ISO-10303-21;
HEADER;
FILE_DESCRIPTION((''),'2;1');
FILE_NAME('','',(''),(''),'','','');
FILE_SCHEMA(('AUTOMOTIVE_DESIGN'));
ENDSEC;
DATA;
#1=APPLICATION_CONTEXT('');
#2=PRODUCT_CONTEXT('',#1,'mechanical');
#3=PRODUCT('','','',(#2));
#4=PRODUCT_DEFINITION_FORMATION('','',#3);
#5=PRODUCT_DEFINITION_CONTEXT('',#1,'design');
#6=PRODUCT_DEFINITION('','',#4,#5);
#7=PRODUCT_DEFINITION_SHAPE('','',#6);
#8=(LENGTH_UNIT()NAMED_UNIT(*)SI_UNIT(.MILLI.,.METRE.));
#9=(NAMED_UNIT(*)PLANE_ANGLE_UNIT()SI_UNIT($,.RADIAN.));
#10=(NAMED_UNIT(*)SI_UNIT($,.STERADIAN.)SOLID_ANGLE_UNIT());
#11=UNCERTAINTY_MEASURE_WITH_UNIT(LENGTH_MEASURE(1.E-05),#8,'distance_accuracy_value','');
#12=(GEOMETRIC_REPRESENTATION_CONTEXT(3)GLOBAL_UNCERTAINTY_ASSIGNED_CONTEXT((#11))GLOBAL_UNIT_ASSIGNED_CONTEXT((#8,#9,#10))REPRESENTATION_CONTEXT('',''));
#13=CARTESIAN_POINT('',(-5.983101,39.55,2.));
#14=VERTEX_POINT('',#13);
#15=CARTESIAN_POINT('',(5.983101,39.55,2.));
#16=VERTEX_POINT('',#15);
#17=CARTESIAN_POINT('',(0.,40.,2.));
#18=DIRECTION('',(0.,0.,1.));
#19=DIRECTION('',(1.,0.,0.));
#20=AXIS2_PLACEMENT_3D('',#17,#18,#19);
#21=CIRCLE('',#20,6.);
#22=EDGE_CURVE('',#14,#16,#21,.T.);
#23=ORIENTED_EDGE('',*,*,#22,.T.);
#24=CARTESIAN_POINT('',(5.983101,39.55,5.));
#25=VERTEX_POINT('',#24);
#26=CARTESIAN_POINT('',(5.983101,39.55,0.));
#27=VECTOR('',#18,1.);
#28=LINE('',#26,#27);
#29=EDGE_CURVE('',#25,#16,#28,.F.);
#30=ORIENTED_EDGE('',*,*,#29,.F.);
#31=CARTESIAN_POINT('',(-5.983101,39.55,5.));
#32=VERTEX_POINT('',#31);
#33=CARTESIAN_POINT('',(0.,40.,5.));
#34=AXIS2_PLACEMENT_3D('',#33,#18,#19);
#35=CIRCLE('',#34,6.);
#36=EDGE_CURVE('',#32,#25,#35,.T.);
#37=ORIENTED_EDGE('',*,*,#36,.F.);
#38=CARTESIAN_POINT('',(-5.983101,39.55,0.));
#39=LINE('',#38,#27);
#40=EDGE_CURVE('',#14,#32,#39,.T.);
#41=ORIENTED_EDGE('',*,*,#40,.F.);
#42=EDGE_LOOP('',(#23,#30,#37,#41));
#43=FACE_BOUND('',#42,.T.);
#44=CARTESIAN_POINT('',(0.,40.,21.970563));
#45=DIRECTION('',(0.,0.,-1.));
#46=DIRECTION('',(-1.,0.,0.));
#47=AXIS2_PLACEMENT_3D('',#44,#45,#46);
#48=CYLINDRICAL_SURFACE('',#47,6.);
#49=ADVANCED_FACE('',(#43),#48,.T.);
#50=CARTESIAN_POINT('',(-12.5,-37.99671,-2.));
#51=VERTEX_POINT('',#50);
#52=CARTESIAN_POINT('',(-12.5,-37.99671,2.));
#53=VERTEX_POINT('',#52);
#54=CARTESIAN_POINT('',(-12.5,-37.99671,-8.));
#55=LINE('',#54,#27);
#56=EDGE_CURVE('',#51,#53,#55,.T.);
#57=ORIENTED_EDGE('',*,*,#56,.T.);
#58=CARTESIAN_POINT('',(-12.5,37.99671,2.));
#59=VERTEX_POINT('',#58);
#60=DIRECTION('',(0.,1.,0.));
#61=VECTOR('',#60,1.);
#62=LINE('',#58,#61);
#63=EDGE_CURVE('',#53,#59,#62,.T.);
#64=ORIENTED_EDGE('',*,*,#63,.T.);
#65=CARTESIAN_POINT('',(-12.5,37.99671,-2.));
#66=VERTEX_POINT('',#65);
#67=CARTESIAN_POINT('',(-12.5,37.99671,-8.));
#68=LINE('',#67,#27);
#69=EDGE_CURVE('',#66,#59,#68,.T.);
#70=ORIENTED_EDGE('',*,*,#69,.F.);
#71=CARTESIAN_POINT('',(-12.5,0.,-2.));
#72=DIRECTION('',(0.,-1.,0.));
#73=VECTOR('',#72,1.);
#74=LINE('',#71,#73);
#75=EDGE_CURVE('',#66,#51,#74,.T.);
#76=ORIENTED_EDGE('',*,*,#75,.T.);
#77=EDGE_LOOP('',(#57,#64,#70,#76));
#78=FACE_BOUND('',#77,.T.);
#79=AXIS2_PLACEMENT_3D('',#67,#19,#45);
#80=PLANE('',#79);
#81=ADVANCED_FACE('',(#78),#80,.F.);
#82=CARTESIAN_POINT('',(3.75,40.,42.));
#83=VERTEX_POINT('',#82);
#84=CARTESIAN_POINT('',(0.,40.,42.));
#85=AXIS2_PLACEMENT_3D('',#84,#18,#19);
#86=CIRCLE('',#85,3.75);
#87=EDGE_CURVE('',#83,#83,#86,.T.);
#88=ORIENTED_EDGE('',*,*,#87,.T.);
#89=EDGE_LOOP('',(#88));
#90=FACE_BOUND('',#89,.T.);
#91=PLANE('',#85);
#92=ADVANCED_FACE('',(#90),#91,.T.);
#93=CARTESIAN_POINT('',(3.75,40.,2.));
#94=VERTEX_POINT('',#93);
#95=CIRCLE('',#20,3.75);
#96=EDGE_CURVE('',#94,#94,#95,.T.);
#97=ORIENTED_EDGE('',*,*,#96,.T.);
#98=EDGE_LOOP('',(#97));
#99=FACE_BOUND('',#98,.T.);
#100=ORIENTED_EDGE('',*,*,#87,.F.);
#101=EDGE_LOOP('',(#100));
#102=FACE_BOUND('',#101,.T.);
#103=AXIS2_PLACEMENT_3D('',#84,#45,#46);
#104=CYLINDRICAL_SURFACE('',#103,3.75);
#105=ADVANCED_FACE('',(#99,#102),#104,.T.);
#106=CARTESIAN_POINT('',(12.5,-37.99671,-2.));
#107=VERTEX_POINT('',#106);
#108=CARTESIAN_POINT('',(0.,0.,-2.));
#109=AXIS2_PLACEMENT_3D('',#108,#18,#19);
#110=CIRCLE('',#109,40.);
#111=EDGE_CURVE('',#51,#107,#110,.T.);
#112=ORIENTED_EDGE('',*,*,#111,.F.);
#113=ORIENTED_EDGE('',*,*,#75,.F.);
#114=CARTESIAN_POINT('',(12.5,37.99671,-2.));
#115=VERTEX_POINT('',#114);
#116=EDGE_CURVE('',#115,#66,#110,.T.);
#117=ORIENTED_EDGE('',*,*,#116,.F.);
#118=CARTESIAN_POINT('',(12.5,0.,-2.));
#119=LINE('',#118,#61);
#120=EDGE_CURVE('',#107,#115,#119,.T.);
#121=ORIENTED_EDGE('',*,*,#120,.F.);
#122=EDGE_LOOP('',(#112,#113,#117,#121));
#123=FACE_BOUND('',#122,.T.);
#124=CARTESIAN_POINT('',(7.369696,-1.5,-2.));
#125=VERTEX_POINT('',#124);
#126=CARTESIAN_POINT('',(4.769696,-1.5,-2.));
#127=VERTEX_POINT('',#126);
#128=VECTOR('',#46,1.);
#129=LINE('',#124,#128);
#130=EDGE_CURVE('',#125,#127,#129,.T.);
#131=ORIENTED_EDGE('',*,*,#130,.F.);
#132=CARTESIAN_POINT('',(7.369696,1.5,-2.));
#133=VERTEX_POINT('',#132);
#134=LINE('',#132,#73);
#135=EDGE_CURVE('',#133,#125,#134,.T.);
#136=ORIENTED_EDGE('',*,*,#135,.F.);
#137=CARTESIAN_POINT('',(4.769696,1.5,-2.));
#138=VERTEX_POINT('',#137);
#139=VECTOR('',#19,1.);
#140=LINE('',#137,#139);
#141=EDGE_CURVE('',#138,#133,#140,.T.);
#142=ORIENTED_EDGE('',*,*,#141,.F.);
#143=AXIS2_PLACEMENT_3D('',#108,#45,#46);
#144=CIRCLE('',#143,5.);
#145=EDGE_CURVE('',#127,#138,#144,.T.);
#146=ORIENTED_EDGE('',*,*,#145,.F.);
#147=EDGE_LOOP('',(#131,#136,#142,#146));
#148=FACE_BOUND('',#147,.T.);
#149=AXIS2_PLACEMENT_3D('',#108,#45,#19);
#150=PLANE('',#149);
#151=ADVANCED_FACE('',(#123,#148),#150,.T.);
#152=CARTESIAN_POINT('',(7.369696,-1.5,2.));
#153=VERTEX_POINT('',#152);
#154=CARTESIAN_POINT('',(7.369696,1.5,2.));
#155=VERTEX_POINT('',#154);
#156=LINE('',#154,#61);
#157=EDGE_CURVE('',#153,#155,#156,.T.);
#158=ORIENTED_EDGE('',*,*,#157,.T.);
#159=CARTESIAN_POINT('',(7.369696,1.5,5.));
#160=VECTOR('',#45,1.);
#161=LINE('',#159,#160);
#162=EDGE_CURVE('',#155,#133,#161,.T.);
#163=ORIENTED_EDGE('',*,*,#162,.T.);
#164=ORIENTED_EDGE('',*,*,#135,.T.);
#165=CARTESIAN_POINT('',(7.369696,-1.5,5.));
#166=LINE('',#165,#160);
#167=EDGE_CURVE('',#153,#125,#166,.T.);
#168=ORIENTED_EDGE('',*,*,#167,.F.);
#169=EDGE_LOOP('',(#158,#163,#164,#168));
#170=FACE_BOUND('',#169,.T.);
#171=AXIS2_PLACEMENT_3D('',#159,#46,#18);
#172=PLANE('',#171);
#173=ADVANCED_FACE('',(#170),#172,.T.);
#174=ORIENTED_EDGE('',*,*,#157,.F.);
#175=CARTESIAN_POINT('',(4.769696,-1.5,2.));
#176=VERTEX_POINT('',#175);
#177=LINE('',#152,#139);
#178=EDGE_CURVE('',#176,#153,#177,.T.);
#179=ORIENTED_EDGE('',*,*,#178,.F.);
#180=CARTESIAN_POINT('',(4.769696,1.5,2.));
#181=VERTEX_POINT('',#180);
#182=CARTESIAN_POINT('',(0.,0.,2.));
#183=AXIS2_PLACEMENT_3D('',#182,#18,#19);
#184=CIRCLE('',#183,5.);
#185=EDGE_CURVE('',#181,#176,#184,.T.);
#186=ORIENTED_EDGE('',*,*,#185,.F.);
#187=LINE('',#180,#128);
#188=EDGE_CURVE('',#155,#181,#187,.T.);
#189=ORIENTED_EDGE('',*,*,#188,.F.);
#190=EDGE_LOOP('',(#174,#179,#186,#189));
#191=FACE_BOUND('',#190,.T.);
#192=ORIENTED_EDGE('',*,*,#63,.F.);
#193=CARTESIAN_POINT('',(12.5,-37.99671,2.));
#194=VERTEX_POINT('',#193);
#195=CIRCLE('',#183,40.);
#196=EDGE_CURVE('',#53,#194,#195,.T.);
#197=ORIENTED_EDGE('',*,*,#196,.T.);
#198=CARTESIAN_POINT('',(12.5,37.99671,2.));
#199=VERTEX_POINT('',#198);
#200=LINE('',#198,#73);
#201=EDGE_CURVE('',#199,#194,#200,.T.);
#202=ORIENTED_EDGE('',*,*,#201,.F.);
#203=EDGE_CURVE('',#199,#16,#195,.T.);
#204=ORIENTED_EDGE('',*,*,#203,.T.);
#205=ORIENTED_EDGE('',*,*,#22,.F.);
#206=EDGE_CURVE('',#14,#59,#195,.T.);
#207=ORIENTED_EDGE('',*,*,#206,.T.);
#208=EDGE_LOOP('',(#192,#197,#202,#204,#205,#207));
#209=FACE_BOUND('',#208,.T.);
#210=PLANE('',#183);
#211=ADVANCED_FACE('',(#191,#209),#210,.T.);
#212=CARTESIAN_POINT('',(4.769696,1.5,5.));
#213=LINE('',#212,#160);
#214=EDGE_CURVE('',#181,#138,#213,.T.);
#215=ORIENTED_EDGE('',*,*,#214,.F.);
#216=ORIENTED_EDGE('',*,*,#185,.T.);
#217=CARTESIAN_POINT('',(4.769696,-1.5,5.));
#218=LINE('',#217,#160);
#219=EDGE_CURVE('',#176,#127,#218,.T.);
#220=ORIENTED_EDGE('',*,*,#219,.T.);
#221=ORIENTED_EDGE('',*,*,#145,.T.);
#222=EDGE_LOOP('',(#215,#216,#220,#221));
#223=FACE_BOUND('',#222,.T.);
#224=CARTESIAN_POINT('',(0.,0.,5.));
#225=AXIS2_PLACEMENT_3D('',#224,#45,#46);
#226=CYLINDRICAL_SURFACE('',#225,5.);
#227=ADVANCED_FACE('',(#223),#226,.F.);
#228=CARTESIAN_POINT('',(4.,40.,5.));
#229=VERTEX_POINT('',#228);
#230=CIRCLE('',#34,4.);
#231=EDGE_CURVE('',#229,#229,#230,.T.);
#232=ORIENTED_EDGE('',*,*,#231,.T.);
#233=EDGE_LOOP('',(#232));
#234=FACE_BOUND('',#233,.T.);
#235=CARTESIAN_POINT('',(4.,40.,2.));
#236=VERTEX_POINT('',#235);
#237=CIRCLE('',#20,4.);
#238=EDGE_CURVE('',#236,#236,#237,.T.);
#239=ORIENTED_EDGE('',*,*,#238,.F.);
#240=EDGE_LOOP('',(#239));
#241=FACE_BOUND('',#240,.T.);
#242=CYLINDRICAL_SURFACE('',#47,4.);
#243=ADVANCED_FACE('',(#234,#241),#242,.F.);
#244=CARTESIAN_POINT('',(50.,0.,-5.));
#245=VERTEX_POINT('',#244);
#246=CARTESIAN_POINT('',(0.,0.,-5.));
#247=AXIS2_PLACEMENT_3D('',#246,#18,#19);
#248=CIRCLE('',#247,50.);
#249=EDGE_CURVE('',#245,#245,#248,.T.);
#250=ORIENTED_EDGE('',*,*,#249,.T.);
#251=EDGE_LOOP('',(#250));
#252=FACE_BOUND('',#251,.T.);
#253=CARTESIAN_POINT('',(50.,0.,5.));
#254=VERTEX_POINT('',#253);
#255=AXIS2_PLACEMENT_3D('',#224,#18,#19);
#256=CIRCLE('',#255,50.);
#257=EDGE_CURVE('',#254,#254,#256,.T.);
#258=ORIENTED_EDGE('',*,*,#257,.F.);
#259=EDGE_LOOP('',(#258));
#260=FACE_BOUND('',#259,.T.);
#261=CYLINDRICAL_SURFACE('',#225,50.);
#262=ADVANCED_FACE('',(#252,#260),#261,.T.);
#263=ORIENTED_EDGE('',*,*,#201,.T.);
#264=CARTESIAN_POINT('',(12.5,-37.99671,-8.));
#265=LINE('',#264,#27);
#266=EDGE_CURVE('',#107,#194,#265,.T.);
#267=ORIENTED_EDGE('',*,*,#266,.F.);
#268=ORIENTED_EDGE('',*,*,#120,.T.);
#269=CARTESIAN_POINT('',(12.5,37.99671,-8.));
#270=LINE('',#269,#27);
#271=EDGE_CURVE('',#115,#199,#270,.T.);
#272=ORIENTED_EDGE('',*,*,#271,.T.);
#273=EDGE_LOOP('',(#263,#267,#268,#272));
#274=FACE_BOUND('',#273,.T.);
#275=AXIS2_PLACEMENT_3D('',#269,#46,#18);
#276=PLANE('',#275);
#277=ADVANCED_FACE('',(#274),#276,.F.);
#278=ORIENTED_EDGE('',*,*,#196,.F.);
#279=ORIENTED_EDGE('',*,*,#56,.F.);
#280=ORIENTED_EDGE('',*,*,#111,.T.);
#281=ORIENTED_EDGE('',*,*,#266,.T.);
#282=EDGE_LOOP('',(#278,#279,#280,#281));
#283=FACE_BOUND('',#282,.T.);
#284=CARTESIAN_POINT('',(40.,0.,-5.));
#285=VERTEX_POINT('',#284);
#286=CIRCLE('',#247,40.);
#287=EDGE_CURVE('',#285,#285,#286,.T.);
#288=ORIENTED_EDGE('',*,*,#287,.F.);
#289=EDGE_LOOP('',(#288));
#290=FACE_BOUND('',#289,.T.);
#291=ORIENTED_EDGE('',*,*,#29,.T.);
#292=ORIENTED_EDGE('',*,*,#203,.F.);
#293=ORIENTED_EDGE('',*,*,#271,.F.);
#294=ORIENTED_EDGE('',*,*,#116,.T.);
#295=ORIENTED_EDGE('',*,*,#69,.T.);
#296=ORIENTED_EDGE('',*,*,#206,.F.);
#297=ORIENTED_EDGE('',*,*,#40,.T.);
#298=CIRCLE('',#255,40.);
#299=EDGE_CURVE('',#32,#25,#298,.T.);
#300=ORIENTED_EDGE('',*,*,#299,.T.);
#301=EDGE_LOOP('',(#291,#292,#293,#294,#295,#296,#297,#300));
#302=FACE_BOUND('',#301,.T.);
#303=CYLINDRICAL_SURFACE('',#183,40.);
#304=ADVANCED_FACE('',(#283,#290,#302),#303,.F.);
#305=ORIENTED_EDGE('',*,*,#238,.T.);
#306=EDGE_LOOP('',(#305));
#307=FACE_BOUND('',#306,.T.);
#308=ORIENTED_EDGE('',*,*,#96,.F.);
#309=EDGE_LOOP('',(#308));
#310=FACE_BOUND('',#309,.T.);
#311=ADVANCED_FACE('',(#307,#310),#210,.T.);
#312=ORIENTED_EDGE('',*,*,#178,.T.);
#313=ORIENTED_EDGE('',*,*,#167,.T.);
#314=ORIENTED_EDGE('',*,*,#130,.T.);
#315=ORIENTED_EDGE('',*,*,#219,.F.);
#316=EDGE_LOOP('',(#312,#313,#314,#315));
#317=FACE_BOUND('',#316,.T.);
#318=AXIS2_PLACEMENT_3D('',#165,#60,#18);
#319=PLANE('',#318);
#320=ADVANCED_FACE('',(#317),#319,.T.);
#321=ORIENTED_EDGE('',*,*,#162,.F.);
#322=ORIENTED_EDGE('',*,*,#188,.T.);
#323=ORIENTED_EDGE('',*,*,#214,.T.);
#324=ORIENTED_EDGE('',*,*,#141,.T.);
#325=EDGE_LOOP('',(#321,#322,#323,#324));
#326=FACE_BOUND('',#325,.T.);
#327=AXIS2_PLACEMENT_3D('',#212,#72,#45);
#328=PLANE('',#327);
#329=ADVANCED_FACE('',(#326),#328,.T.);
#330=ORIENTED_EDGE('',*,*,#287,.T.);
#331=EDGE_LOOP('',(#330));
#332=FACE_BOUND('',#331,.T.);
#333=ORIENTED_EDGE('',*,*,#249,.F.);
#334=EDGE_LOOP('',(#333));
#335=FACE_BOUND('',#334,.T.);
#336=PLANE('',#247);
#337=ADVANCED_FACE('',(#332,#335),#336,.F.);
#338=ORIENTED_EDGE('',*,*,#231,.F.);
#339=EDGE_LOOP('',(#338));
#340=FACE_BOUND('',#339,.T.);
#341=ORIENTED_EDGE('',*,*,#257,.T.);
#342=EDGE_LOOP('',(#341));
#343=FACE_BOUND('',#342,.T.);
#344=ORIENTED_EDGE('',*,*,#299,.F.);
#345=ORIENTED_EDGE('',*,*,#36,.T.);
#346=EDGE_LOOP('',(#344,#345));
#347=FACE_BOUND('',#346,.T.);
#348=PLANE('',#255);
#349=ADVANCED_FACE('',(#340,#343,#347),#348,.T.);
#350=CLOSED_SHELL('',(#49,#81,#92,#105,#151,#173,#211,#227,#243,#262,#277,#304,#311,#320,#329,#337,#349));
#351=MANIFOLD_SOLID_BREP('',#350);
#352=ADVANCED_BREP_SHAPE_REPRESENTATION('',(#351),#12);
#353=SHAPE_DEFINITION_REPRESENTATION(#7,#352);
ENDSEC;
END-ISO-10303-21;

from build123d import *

# Parameters (mm, degrees)
SKETCH_1_R          = 50
EXTRUDE_1_DEPTH     = 5
SKETCH_2_R          = 40
CUT_EXTRUDE_1_DEPTH = 3
CUT_EXTRUDE_2_DEPTH = 10
SKETCH_4_R          = 6
SKETCH_4_R_2        = 4
EXTRUDE_2_DEPTH     = 3
SKETCH_5_R          = 4
CUT_EXTRUDE_3_DEPTH = 3
SKETCH_6_R          = 3.75
EXTRUDE_3_DEPTH     = 40


with BuildPart() as part:
    # 草图1 → 凸台-拉伸1 (new, symmetric)
    with BuildSketch(Plane.XY):
        Circle(SKETCH_1_R)
        with BuildLine():
            Line((4.769696007, 1.5), (7.369696007, 1.5))
            Line((7.369696007, 1.5), (7.369696007, -1.5))
            Line((7.369696007, -1.5), (4.769696007, -1.5))
            ThreePointArc((4.769696007, -1.5), (-5, 0), (4.769696007, 1.5))
        make_face(mode=Mode.SUBTRACT)
    extrude(amount=EXTRUDE_1_DEPTH, both=True)

    # 草图2 → 切除-拉伸1 (cut)
    with BuildSketch(Plane.XY.offset(5)):
        Circle(SKETCH_2_R)
    cut_extrude_1 = extrude(amount=-CUT_EXTRUDE_1_DEPTH, mode=Mode.SUBTRACT)

    # 镜向1: 切除-拉伸1 across plane
    add(cut_extrude_1.mirror(Plane.XY), mode=Mode.SUBTRACT)

    # 草图3 → 切除-拉伸2 (cut)
    with BuildSketch(Plane.XY.offset(2)):
        with BuildLine():
            Line((-12.5, 37.996710384), (-12.5, -37.996710384))
            ThreePointArc((-12.5, -37.996710384), (-40, 0), (-12.5, 37.996710384))
        make_face()
        with BuildLine():
            Line((12.5, 37.996710384), (12.5, -37.996710384))
            ThreePointArc((12.5, -37.996710384), (40, 0), (12.5, 37.996710384))
        make_face()
    extrude(amount=-CUT_EXTRUDE_2_DEPTH, mode=Mode.SUBTRACT)

    # 草图5 → 切除-拉伸3 (cut)
    with BuildSketch(Plane.XY.offset(5)):
        with Locations((0, 40)):
            Circle(SKETCH_5_R)
    extrude(amount=-CUT_EXTRUDE_3_DEPTH, mode=Mode.SUBTRACT)


with BuildPart() as body_2:
    # 草图4 → 凸台-拉伸2 (new body)
    with BuildSketch(Plane.XY.offset(2)):
        with Locations((0, 40)):
            Circle(SKETCH_4_R)
        with Locations((0, 40)):
            Circle(SKETCH_4_R_2, mode=Mode.SUBTRACT)
    extrude(amount=EXTRUDE_2_DEPTH)


    add(part.part)  # 凸台-拉伸3 merges part
    # 草图6 → 凸台-拉伸3 (add)
    with BuildSketch(Plane.XY.offset(2)):
        with Locations((0, 40)):
            Circle(SKETCH_6_R)
    extrude(amount=EXTRUDE_3_DEPTH)


solid = body_2.part
